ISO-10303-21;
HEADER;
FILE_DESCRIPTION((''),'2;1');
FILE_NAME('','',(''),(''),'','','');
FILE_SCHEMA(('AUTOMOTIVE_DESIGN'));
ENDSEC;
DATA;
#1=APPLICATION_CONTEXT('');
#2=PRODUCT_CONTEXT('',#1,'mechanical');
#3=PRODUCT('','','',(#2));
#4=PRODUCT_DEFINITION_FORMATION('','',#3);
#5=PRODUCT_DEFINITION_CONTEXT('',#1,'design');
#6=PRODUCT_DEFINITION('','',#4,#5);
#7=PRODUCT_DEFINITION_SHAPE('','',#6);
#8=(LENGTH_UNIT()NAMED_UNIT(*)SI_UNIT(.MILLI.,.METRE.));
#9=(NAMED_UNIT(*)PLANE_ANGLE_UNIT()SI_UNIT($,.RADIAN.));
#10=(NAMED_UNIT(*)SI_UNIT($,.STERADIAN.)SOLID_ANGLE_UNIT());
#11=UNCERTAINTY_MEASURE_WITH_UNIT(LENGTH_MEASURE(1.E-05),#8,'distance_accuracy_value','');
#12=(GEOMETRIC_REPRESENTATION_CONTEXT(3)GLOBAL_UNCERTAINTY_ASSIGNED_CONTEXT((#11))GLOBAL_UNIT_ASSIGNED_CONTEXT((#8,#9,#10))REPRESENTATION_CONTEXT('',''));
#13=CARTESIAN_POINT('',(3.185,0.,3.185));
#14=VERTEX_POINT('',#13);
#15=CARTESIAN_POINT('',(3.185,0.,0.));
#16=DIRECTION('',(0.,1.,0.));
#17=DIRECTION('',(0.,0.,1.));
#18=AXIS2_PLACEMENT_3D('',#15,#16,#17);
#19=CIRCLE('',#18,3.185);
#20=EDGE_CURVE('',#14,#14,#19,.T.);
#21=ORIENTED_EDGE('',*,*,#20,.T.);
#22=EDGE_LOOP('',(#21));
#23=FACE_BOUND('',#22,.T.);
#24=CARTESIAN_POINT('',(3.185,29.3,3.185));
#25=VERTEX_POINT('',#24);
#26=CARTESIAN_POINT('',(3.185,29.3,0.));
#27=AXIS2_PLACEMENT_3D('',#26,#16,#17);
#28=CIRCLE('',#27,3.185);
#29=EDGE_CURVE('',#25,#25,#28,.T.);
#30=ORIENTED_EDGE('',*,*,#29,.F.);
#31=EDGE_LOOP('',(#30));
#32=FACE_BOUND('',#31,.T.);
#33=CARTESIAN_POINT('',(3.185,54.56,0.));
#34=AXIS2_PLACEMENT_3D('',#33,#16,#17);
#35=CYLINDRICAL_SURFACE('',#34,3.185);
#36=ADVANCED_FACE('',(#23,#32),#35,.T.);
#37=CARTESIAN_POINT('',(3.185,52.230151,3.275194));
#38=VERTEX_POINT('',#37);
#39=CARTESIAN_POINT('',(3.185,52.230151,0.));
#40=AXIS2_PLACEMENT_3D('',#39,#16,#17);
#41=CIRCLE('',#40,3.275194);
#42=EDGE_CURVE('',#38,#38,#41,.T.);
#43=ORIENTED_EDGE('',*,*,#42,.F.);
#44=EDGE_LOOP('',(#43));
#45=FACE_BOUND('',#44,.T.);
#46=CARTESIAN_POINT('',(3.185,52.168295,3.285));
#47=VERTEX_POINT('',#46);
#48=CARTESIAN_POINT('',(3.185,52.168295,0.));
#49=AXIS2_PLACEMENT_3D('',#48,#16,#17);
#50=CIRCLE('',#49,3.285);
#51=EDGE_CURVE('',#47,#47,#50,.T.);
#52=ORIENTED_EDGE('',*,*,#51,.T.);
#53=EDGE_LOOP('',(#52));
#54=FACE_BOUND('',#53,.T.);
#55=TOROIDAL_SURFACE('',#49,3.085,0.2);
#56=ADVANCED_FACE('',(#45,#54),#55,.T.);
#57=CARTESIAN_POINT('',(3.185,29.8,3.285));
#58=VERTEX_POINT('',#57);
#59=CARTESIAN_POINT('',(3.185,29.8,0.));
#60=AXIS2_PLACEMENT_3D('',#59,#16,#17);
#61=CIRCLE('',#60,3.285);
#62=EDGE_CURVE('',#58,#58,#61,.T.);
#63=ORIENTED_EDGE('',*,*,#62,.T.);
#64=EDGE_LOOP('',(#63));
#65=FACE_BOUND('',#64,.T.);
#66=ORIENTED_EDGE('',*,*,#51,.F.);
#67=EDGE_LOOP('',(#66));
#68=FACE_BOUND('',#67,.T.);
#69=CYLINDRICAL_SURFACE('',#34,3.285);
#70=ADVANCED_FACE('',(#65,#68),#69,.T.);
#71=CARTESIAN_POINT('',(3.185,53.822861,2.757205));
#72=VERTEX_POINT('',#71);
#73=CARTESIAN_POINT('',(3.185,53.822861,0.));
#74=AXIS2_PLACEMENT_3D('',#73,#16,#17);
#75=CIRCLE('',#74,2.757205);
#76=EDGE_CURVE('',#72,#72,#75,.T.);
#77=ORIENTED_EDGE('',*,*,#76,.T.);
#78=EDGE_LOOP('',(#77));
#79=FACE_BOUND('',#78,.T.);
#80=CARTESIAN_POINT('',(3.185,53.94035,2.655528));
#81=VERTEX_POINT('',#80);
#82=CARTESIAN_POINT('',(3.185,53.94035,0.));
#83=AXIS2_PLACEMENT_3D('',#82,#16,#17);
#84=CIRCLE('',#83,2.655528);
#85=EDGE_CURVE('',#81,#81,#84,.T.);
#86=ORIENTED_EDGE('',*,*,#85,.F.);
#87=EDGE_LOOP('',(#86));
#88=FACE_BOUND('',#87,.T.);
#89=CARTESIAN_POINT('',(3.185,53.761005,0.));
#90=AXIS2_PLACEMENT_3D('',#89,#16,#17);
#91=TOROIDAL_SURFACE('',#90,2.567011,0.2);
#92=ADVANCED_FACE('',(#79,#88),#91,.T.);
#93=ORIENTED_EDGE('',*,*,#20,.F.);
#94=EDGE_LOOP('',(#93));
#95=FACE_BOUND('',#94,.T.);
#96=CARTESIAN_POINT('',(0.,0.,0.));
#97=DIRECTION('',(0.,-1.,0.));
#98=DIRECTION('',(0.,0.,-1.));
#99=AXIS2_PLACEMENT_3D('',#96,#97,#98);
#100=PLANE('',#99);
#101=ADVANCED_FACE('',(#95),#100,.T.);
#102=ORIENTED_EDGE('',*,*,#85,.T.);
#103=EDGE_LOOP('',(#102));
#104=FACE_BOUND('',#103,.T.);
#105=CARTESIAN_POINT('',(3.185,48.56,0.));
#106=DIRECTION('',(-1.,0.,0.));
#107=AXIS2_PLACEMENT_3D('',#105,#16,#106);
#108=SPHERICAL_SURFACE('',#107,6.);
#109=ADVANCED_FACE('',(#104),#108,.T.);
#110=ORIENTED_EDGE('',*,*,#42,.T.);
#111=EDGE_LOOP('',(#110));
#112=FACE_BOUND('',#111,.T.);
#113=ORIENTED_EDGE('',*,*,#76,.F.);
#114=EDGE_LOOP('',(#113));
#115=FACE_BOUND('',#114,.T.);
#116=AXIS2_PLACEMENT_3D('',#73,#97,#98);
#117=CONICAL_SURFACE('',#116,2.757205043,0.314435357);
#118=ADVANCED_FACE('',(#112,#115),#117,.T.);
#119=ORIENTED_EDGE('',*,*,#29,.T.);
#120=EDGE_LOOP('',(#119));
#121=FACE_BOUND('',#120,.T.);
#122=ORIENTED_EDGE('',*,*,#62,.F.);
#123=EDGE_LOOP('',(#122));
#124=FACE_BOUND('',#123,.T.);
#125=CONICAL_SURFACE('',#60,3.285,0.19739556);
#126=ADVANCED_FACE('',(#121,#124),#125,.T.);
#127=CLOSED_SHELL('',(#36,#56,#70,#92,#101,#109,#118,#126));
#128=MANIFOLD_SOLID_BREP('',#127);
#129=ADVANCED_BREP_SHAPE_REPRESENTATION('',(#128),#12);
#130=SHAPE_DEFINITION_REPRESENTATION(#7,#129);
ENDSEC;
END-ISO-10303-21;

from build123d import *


with BuildPart() as part:
    # Esboço2 → Revolução1 (revolve)
    with BuildSketch(Plane.XY, mode=Mode.PRIVATE) as revolu_o1_sk:
        with BuildLine():
            Line((0, 0), (0, 29.3))
            Line((0, 29.3), (-0.1, 29.8))
            Line((-0.1, 29.8), (-0.1, 52.16829481))
            ThreePointArc((-0.1, 52.16829481), (-0.097533347, 52.199608972), (-0.090194233, 52.230150722))
            Line((-0.090194233, 52.230150722), (0.427794957, 53.822861152))
            ThreePointArc((0.427794957, 53.822861152), (0.466757595, 53.891883063), (0.529471576, 53.940350248))
            ThreePointArc((0.529471576, 53.940350248), (1.821567106, 54.403034378), (3.185, 54.56))
            Line((3.185, 54.56), (3.185, 0))
            Line((3.185, 0), (0, 0))
        make_face()
    revolve(revolu_o1_sk.sketch.rotate(Axis((3.185, 54.56, 0), (0, -1, 0)), 270), axis=Axis((3.185, 54.56, 0), (0, -1, 0)))


solid = part.part
